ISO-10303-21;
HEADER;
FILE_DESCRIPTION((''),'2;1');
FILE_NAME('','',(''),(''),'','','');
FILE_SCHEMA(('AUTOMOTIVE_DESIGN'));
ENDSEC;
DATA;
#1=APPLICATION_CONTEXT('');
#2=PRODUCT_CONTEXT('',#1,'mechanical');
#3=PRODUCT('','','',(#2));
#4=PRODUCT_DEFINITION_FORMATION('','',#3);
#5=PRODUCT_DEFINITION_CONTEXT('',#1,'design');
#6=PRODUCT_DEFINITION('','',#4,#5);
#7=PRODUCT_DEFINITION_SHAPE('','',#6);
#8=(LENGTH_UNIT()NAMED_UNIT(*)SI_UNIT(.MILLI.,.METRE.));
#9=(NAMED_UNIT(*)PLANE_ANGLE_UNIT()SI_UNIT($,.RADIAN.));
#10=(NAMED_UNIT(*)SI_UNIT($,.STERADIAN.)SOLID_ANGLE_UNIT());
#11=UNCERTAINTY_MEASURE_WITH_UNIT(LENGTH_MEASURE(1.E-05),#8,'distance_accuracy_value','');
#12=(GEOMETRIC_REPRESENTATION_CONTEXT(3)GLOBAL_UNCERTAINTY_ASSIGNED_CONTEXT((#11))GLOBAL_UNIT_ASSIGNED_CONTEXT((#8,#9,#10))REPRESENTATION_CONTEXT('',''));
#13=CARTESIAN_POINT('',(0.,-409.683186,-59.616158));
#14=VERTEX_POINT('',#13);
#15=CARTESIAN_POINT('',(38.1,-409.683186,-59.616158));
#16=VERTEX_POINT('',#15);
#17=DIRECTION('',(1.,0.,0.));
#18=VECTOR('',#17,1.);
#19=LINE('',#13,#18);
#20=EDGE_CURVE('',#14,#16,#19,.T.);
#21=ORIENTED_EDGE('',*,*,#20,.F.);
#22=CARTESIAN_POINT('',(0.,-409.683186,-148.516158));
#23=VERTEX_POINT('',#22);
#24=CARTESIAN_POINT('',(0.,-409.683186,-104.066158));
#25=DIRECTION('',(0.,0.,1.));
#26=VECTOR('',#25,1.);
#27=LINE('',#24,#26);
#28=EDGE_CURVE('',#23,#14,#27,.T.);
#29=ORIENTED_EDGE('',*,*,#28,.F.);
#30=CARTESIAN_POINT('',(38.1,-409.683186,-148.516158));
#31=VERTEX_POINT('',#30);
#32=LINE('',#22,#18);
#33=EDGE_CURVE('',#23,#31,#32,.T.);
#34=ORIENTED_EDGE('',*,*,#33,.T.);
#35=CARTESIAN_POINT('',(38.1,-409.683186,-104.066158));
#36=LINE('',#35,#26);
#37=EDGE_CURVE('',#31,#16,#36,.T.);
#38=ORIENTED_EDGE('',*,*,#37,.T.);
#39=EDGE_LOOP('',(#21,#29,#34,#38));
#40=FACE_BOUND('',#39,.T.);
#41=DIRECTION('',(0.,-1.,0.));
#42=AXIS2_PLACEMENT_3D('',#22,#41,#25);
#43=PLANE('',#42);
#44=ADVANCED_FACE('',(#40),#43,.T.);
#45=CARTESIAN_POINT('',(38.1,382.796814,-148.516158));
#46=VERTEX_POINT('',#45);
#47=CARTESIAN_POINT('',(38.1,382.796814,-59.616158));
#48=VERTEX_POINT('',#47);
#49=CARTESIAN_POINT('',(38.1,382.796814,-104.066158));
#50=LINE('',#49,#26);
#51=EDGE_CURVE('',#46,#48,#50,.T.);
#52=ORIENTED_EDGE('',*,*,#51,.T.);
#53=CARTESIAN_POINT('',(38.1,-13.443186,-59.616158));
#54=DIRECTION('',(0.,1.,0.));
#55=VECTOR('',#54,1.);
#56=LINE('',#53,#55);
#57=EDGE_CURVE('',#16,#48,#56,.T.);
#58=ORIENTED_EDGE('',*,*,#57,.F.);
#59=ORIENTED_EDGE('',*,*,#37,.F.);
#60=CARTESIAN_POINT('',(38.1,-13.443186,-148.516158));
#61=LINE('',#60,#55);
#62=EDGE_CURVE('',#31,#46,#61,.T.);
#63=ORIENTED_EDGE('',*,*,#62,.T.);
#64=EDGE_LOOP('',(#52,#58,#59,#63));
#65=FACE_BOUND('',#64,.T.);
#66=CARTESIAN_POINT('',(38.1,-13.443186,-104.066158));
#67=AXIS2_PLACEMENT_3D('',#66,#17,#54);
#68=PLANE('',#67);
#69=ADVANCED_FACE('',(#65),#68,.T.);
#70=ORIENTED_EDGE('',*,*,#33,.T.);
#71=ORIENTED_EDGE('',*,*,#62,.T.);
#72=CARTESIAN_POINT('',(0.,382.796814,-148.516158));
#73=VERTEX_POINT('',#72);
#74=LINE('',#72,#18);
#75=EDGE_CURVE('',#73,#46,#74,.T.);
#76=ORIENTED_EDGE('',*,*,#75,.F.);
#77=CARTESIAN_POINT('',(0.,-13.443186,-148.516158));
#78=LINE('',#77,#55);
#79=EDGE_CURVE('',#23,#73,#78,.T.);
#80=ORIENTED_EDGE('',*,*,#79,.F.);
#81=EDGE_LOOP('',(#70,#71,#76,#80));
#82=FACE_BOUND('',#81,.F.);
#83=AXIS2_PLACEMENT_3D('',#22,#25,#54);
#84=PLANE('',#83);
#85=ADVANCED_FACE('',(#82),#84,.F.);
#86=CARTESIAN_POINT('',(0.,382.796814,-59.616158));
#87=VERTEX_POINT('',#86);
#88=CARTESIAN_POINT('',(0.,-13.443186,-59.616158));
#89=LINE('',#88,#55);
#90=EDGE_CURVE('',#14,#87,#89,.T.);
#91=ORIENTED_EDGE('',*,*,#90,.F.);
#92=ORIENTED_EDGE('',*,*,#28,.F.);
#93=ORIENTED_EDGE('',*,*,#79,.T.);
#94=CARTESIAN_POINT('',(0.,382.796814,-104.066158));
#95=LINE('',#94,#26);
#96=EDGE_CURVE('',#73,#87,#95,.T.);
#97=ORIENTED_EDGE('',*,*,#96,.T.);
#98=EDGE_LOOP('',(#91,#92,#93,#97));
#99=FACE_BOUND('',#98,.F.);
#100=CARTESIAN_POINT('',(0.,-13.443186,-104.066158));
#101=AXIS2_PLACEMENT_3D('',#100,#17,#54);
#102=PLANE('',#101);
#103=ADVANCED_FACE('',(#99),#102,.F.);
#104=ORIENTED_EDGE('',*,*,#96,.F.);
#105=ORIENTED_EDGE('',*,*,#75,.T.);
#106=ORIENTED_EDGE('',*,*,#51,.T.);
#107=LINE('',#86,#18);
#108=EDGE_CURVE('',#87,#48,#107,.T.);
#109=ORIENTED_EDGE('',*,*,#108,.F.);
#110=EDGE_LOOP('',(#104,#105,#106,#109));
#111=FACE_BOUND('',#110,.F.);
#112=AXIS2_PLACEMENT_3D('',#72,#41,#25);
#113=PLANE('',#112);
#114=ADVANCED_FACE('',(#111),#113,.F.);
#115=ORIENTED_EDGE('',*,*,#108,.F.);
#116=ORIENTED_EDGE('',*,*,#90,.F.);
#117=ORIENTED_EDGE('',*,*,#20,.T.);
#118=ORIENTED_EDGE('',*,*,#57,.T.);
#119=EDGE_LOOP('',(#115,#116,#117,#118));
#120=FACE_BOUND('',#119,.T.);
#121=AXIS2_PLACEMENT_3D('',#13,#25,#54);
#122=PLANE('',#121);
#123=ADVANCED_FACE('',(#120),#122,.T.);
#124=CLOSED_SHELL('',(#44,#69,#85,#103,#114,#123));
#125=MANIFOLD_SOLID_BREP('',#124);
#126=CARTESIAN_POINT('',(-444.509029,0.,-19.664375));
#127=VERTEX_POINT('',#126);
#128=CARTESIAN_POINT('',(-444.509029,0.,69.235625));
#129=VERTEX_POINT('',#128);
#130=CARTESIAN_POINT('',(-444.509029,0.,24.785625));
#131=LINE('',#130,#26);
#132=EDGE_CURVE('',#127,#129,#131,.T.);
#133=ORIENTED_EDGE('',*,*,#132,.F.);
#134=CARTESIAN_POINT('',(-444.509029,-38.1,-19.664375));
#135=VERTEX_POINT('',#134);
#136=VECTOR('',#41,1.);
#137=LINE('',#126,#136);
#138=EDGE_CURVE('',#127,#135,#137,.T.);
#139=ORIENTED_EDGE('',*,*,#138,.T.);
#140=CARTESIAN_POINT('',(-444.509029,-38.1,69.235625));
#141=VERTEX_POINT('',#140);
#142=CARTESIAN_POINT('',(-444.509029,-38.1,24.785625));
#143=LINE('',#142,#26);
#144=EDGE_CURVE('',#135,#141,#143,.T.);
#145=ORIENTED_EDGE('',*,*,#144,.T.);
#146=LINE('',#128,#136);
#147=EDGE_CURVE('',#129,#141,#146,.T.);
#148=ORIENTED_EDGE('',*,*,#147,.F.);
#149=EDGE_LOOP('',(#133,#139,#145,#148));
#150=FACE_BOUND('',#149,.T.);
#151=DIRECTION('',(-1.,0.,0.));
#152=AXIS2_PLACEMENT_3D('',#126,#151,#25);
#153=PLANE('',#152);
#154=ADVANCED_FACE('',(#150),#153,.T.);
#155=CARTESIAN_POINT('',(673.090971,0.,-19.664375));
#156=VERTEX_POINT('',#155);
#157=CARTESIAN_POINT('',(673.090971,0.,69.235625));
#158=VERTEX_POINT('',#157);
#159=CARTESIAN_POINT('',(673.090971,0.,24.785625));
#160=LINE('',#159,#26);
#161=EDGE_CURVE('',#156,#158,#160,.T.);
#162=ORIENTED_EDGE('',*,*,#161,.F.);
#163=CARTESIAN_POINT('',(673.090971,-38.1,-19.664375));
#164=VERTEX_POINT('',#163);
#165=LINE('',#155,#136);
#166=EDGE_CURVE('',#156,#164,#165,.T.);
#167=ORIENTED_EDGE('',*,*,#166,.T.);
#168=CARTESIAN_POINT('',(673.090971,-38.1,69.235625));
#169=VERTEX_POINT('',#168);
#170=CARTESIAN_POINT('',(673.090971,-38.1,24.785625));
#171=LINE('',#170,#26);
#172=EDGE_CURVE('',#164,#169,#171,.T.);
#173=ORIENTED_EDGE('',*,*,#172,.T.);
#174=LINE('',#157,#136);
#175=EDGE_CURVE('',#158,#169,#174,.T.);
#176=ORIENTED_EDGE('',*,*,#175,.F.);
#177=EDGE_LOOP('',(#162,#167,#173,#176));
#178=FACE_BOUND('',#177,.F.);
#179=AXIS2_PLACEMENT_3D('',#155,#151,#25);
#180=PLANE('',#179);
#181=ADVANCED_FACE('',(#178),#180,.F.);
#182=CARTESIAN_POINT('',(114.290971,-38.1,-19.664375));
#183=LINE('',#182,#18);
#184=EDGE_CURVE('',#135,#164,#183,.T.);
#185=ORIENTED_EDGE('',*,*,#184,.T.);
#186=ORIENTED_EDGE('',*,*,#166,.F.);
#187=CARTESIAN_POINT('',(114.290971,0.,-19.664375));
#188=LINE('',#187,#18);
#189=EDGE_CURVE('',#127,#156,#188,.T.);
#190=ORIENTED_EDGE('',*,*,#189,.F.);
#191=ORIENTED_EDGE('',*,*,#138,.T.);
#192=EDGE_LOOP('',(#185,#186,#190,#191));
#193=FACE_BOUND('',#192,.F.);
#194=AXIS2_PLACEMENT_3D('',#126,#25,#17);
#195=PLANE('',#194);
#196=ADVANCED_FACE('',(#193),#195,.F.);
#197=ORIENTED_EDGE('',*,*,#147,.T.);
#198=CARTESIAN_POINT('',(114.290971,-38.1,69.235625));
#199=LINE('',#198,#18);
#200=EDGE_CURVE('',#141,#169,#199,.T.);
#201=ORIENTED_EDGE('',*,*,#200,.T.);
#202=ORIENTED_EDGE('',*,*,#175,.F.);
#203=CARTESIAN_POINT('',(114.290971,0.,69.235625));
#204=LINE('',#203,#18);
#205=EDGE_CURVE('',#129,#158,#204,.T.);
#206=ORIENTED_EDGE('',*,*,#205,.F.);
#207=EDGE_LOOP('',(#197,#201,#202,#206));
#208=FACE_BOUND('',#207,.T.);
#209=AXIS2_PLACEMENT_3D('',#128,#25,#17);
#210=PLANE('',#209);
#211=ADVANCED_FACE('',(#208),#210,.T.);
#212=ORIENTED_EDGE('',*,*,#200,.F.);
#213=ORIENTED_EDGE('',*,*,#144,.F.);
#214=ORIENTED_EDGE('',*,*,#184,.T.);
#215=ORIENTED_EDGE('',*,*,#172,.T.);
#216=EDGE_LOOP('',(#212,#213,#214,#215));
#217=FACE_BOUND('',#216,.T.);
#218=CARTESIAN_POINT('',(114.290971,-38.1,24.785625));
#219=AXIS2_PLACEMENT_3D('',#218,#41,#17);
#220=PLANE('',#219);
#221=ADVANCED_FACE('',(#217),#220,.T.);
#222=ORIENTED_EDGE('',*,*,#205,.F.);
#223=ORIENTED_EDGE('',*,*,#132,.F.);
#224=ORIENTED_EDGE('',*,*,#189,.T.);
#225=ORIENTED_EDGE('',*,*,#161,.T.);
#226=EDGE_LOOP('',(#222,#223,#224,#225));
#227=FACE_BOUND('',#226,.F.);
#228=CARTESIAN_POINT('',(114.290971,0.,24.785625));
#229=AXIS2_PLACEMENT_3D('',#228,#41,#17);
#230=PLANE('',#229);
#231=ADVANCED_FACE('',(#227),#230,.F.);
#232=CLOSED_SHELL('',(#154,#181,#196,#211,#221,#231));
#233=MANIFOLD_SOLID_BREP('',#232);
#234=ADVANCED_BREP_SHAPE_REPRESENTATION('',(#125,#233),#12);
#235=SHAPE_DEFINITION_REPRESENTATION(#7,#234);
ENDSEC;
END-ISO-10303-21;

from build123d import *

# Parameters (mm, degrees)
F0_W     = 1117.6
F0_H     = 88.9
F1_DEPTH = 38.1
F2_W     = 792.48
F2_H     = 88.9
F3_DEPTH = 38.1


with BuildPart() as f1:
    # F0 (on Front) → F1 (new body)
    with BuildSketch(Plane.XZ):
        with Locations((114.290971, 24.785625)):
            Rectangle(F0_W, F0_H)
    extrude(amount=F1_DEPTH)


with BuildPart() as f3:
    # F2 (on Right) → F3 (new body)
    with BuildSketch(Plane.YZ):
        with Locations((-13.443186, -104.066158)):
            Rectangle(F2_W, F2_H)
    extrude(amount=F3_DEPTH)


solid = Compound([f1.part, f3.part])
